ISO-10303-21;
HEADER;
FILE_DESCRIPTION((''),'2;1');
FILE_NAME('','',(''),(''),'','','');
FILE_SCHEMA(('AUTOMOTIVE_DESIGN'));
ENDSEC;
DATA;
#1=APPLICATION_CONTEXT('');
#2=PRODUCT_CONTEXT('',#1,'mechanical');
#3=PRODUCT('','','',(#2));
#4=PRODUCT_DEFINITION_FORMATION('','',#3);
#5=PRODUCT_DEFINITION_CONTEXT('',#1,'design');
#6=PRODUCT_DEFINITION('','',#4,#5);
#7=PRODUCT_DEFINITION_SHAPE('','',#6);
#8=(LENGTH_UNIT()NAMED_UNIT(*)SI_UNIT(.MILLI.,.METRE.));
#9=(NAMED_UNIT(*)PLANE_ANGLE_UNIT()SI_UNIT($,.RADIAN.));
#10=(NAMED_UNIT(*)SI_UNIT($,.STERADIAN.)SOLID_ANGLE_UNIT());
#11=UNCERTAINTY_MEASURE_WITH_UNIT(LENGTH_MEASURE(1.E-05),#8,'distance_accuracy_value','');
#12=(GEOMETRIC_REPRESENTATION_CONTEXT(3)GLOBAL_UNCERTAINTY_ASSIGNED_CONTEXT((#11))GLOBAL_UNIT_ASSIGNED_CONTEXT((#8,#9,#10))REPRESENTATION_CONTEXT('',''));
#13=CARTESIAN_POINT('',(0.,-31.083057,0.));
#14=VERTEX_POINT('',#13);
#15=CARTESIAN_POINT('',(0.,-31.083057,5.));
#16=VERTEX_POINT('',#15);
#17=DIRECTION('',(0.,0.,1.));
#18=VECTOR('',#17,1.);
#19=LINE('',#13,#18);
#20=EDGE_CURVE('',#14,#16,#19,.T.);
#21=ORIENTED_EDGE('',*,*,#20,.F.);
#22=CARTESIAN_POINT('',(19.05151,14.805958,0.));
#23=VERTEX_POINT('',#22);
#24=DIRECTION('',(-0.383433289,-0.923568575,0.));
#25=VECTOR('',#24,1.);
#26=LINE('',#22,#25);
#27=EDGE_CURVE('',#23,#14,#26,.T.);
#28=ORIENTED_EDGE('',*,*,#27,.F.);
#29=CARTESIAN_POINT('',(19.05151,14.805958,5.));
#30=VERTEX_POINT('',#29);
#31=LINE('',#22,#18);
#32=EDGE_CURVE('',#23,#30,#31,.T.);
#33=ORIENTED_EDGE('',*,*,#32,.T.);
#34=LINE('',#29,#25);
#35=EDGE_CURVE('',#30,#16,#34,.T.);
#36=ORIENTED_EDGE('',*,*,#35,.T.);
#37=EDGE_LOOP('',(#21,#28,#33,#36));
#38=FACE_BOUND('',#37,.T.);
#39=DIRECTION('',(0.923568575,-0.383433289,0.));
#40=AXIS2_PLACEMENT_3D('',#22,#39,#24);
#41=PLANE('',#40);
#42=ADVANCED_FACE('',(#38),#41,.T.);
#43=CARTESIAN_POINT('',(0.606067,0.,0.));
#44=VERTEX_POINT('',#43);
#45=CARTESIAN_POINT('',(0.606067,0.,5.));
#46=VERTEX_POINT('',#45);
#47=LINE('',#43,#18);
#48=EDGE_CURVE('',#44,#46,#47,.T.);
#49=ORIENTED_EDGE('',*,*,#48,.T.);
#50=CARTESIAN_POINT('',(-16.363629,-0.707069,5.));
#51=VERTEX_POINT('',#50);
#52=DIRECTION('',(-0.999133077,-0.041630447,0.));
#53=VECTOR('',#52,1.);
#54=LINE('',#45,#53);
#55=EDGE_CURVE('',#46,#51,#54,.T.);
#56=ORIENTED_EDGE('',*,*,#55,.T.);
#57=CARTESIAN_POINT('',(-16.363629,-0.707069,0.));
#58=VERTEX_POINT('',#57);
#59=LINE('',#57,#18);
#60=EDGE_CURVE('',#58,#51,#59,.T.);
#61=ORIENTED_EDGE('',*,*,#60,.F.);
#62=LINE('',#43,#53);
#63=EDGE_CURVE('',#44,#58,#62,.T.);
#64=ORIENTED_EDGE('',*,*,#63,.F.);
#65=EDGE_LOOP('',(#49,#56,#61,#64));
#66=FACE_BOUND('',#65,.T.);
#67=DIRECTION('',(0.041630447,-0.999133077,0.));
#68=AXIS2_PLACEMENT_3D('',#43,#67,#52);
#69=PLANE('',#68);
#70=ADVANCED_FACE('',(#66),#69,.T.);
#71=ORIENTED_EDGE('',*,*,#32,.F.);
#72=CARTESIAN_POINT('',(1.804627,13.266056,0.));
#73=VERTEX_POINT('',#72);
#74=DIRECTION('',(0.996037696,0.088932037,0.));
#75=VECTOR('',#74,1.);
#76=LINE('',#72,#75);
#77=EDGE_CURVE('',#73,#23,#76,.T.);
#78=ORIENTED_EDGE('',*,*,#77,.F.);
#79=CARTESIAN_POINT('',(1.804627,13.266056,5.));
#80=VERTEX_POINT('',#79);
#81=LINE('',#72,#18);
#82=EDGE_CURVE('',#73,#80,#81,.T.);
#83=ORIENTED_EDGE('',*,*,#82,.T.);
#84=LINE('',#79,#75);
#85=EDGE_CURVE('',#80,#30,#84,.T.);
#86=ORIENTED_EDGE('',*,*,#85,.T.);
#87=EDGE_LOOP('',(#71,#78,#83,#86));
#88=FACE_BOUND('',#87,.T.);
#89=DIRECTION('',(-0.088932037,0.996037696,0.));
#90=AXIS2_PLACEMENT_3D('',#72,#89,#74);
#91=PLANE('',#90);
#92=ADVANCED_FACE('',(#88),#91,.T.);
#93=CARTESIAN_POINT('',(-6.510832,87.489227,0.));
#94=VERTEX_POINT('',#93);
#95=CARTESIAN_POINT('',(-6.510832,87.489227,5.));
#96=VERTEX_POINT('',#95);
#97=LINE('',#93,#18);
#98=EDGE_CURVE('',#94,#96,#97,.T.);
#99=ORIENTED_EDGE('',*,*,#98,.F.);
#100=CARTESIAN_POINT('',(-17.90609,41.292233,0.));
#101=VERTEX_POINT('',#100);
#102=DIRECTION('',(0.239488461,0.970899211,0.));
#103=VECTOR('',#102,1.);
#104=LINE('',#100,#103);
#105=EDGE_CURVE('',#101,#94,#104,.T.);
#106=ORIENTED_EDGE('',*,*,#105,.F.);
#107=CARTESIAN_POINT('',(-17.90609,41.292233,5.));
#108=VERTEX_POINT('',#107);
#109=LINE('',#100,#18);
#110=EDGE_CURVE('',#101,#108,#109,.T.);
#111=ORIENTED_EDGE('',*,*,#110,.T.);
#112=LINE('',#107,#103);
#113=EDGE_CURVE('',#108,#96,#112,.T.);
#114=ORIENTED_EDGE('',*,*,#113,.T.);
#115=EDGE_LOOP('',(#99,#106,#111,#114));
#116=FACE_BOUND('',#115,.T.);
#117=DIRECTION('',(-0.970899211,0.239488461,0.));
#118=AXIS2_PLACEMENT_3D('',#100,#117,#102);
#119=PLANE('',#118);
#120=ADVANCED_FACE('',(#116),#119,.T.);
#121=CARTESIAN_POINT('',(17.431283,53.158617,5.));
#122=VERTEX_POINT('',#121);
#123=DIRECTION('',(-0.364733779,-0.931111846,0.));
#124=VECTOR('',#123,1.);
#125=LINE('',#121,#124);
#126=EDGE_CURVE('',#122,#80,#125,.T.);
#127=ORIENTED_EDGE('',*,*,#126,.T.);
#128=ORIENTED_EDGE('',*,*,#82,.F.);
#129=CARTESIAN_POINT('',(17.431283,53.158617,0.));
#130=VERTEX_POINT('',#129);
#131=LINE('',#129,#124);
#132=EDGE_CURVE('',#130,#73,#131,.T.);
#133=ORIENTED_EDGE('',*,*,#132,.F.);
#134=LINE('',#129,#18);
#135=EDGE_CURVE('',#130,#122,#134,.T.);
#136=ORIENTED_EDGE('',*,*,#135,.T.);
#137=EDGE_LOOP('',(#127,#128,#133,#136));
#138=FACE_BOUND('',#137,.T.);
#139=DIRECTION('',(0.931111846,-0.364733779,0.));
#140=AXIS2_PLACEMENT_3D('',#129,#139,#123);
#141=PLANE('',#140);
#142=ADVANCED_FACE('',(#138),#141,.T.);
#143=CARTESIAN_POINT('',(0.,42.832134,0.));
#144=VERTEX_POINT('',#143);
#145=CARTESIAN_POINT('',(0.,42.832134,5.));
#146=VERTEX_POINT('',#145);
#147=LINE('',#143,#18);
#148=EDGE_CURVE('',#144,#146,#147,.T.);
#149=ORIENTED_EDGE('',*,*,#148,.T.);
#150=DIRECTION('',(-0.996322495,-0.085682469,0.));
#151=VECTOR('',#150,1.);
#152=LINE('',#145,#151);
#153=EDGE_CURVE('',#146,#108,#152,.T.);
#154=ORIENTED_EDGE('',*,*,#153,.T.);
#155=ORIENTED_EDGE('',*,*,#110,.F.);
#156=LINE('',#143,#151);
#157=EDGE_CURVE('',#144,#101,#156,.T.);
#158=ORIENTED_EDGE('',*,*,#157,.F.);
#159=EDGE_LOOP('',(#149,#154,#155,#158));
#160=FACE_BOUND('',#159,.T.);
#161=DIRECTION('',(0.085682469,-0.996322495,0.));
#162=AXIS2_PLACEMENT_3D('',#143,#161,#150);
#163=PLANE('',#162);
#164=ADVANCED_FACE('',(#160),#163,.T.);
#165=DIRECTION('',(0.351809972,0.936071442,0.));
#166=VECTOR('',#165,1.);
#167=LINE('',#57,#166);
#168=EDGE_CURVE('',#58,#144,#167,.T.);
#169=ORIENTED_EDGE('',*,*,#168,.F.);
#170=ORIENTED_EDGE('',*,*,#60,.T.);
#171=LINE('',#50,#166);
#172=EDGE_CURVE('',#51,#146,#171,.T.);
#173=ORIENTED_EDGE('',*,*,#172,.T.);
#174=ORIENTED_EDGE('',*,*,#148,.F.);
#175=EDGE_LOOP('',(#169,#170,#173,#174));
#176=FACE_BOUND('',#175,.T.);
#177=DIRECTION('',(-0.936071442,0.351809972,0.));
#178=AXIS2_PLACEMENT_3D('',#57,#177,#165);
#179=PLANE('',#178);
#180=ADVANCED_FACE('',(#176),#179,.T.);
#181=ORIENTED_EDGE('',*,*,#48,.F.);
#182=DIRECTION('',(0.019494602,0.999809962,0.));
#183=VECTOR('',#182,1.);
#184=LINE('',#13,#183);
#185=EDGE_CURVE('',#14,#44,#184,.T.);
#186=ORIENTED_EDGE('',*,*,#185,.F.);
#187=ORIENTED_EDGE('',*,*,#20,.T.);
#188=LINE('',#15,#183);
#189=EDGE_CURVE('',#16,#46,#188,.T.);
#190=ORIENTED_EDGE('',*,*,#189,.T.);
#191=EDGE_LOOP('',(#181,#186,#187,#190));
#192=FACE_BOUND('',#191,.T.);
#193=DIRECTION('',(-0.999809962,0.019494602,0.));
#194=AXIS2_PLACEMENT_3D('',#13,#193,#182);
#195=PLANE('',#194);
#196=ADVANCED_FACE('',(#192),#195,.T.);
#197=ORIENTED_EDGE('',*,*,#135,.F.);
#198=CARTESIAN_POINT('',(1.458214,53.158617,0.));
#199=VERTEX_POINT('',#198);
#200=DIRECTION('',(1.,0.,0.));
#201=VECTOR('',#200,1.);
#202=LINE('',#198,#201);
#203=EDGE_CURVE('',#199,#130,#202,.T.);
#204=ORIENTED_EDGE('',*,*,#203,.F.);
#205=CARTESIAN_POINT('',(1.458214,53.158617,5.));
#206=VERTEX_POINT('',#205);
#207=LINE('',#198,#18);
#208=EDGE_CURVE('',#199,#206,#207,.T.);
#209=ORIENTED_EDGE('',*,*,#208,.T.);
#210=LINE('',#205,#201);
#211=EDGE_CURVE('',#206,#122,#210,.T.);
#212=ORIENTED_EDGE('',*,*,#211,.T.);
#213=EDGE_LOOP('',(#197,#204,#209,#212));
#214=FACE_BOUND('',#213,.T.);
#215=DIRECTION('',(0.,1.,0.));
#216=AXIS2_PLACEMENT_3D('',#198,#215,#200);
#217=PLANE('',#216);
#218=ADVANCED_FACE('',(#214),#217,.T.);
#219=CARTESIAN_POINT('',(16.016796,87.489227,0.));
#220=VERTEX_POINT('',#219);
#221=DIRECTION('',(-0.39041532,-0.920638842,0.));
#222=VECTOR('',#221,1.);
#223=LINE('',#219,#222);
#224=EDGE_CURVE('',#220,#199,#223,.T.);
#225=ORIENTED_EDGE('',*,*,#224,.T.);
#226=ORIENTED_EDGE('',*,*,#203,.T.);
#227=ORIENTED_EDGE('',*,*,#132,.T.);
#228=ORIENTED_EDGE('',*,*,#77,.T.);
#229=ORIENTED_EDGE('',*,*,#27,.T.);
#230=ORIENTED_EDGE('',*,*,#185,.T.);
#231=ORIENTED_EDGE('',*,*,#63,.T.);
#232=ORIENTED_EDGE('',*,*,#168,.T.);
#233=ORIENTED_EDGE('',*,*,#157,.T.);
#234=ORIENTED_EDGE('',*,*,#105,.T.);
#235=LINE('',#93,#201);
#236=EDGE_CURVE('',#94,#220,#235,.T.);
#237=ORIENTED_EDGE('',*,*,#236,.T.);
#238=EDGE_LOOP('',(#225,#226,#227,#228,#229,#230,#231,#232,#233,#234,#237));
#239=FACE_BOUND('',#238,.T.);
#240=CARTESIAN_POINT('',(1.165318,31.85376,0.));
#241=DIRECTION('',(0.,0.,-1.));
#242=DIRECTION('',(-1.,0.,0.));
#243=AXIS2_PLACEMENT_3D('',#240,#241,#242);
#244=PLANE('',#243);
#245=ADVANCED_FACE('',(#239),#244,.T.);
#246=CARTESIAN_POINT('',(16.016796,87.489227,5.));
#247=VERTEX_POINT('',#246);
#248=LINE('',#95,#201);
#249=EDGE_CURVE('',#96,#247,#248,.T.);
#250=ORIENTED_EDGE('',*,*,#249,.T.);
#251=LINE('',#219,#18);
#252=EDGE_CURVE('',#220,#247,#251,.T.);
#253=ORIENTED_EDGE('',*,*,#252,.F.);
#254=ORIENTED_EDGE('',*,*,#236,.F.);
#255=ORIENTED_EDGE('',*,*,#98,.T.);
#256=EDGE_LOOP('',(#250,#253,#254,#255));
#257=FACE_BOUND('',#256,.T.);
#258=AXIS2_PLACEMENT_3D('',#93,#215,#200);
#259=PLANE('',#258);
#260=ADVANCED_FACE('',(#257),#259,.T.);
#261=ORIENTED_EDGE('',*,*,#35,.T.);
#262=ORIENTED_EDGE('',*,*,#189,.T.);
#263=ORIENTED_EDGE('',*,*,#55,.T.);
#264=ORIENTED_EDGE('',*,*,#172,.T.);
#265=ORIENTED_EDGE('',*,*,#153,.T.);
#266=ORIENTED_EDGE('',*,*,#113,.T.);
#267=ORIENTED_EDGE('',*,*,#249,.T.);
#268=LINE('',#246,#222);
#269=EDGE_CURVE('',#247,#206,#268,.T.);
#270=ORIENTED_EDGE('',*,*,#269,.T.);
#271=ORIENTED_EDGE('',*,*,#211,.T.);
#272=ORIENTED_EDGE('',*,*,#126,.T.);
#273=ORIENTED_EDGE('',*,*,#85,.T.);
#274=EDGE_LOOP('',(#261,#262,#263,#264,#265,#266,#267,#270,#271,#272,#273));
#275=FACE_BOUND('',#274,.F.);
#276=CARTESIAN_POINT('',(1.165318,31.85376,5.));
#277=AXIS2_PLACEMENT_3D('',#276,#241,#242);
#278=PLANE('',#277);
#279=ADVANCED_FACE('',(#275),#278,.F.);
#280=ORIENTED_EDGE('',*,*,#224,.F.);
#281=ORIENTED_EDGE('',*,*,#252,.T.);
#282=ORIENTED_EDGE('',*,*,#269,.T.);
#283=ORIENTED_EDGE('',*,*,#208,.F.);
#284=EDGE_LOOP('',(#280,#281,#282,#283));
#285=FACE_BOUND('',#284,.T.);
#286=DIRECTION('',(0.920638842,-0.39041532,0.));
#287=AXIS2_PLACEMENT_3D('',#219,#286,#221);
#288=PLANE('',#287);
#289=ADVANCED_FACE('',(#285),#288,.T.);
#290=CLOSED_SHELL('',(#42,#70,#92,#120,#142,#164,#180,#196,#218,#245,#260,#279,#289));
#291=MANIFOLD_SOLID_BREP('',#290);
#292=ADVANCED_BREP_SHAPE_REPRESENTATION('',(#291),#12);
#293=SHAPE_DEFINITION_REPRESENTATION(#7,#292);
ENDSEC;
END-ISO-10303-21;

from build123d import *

# Parameters (mm, degrees)
PAD_DEPTH = 5


with BuildPart() as part:
    # Sketch → Pad (new body)
    with BuildSketch(Plane.XY):
        Polygon((-6.510832, 87.489227), (16.016796, 87.489227), (1.458214, 53.158617), (17.431283, 53.158617), (1.804627, 13.266056), (19.05151, 14.805958), (0, -31.083057), (0.606067, 0), (-16.363629, -0.707069), (0, 42.832134), (-17.90609, 41.292233), align=None)
    extrude(amount=PAD_DEPTH)


solid = part.part
